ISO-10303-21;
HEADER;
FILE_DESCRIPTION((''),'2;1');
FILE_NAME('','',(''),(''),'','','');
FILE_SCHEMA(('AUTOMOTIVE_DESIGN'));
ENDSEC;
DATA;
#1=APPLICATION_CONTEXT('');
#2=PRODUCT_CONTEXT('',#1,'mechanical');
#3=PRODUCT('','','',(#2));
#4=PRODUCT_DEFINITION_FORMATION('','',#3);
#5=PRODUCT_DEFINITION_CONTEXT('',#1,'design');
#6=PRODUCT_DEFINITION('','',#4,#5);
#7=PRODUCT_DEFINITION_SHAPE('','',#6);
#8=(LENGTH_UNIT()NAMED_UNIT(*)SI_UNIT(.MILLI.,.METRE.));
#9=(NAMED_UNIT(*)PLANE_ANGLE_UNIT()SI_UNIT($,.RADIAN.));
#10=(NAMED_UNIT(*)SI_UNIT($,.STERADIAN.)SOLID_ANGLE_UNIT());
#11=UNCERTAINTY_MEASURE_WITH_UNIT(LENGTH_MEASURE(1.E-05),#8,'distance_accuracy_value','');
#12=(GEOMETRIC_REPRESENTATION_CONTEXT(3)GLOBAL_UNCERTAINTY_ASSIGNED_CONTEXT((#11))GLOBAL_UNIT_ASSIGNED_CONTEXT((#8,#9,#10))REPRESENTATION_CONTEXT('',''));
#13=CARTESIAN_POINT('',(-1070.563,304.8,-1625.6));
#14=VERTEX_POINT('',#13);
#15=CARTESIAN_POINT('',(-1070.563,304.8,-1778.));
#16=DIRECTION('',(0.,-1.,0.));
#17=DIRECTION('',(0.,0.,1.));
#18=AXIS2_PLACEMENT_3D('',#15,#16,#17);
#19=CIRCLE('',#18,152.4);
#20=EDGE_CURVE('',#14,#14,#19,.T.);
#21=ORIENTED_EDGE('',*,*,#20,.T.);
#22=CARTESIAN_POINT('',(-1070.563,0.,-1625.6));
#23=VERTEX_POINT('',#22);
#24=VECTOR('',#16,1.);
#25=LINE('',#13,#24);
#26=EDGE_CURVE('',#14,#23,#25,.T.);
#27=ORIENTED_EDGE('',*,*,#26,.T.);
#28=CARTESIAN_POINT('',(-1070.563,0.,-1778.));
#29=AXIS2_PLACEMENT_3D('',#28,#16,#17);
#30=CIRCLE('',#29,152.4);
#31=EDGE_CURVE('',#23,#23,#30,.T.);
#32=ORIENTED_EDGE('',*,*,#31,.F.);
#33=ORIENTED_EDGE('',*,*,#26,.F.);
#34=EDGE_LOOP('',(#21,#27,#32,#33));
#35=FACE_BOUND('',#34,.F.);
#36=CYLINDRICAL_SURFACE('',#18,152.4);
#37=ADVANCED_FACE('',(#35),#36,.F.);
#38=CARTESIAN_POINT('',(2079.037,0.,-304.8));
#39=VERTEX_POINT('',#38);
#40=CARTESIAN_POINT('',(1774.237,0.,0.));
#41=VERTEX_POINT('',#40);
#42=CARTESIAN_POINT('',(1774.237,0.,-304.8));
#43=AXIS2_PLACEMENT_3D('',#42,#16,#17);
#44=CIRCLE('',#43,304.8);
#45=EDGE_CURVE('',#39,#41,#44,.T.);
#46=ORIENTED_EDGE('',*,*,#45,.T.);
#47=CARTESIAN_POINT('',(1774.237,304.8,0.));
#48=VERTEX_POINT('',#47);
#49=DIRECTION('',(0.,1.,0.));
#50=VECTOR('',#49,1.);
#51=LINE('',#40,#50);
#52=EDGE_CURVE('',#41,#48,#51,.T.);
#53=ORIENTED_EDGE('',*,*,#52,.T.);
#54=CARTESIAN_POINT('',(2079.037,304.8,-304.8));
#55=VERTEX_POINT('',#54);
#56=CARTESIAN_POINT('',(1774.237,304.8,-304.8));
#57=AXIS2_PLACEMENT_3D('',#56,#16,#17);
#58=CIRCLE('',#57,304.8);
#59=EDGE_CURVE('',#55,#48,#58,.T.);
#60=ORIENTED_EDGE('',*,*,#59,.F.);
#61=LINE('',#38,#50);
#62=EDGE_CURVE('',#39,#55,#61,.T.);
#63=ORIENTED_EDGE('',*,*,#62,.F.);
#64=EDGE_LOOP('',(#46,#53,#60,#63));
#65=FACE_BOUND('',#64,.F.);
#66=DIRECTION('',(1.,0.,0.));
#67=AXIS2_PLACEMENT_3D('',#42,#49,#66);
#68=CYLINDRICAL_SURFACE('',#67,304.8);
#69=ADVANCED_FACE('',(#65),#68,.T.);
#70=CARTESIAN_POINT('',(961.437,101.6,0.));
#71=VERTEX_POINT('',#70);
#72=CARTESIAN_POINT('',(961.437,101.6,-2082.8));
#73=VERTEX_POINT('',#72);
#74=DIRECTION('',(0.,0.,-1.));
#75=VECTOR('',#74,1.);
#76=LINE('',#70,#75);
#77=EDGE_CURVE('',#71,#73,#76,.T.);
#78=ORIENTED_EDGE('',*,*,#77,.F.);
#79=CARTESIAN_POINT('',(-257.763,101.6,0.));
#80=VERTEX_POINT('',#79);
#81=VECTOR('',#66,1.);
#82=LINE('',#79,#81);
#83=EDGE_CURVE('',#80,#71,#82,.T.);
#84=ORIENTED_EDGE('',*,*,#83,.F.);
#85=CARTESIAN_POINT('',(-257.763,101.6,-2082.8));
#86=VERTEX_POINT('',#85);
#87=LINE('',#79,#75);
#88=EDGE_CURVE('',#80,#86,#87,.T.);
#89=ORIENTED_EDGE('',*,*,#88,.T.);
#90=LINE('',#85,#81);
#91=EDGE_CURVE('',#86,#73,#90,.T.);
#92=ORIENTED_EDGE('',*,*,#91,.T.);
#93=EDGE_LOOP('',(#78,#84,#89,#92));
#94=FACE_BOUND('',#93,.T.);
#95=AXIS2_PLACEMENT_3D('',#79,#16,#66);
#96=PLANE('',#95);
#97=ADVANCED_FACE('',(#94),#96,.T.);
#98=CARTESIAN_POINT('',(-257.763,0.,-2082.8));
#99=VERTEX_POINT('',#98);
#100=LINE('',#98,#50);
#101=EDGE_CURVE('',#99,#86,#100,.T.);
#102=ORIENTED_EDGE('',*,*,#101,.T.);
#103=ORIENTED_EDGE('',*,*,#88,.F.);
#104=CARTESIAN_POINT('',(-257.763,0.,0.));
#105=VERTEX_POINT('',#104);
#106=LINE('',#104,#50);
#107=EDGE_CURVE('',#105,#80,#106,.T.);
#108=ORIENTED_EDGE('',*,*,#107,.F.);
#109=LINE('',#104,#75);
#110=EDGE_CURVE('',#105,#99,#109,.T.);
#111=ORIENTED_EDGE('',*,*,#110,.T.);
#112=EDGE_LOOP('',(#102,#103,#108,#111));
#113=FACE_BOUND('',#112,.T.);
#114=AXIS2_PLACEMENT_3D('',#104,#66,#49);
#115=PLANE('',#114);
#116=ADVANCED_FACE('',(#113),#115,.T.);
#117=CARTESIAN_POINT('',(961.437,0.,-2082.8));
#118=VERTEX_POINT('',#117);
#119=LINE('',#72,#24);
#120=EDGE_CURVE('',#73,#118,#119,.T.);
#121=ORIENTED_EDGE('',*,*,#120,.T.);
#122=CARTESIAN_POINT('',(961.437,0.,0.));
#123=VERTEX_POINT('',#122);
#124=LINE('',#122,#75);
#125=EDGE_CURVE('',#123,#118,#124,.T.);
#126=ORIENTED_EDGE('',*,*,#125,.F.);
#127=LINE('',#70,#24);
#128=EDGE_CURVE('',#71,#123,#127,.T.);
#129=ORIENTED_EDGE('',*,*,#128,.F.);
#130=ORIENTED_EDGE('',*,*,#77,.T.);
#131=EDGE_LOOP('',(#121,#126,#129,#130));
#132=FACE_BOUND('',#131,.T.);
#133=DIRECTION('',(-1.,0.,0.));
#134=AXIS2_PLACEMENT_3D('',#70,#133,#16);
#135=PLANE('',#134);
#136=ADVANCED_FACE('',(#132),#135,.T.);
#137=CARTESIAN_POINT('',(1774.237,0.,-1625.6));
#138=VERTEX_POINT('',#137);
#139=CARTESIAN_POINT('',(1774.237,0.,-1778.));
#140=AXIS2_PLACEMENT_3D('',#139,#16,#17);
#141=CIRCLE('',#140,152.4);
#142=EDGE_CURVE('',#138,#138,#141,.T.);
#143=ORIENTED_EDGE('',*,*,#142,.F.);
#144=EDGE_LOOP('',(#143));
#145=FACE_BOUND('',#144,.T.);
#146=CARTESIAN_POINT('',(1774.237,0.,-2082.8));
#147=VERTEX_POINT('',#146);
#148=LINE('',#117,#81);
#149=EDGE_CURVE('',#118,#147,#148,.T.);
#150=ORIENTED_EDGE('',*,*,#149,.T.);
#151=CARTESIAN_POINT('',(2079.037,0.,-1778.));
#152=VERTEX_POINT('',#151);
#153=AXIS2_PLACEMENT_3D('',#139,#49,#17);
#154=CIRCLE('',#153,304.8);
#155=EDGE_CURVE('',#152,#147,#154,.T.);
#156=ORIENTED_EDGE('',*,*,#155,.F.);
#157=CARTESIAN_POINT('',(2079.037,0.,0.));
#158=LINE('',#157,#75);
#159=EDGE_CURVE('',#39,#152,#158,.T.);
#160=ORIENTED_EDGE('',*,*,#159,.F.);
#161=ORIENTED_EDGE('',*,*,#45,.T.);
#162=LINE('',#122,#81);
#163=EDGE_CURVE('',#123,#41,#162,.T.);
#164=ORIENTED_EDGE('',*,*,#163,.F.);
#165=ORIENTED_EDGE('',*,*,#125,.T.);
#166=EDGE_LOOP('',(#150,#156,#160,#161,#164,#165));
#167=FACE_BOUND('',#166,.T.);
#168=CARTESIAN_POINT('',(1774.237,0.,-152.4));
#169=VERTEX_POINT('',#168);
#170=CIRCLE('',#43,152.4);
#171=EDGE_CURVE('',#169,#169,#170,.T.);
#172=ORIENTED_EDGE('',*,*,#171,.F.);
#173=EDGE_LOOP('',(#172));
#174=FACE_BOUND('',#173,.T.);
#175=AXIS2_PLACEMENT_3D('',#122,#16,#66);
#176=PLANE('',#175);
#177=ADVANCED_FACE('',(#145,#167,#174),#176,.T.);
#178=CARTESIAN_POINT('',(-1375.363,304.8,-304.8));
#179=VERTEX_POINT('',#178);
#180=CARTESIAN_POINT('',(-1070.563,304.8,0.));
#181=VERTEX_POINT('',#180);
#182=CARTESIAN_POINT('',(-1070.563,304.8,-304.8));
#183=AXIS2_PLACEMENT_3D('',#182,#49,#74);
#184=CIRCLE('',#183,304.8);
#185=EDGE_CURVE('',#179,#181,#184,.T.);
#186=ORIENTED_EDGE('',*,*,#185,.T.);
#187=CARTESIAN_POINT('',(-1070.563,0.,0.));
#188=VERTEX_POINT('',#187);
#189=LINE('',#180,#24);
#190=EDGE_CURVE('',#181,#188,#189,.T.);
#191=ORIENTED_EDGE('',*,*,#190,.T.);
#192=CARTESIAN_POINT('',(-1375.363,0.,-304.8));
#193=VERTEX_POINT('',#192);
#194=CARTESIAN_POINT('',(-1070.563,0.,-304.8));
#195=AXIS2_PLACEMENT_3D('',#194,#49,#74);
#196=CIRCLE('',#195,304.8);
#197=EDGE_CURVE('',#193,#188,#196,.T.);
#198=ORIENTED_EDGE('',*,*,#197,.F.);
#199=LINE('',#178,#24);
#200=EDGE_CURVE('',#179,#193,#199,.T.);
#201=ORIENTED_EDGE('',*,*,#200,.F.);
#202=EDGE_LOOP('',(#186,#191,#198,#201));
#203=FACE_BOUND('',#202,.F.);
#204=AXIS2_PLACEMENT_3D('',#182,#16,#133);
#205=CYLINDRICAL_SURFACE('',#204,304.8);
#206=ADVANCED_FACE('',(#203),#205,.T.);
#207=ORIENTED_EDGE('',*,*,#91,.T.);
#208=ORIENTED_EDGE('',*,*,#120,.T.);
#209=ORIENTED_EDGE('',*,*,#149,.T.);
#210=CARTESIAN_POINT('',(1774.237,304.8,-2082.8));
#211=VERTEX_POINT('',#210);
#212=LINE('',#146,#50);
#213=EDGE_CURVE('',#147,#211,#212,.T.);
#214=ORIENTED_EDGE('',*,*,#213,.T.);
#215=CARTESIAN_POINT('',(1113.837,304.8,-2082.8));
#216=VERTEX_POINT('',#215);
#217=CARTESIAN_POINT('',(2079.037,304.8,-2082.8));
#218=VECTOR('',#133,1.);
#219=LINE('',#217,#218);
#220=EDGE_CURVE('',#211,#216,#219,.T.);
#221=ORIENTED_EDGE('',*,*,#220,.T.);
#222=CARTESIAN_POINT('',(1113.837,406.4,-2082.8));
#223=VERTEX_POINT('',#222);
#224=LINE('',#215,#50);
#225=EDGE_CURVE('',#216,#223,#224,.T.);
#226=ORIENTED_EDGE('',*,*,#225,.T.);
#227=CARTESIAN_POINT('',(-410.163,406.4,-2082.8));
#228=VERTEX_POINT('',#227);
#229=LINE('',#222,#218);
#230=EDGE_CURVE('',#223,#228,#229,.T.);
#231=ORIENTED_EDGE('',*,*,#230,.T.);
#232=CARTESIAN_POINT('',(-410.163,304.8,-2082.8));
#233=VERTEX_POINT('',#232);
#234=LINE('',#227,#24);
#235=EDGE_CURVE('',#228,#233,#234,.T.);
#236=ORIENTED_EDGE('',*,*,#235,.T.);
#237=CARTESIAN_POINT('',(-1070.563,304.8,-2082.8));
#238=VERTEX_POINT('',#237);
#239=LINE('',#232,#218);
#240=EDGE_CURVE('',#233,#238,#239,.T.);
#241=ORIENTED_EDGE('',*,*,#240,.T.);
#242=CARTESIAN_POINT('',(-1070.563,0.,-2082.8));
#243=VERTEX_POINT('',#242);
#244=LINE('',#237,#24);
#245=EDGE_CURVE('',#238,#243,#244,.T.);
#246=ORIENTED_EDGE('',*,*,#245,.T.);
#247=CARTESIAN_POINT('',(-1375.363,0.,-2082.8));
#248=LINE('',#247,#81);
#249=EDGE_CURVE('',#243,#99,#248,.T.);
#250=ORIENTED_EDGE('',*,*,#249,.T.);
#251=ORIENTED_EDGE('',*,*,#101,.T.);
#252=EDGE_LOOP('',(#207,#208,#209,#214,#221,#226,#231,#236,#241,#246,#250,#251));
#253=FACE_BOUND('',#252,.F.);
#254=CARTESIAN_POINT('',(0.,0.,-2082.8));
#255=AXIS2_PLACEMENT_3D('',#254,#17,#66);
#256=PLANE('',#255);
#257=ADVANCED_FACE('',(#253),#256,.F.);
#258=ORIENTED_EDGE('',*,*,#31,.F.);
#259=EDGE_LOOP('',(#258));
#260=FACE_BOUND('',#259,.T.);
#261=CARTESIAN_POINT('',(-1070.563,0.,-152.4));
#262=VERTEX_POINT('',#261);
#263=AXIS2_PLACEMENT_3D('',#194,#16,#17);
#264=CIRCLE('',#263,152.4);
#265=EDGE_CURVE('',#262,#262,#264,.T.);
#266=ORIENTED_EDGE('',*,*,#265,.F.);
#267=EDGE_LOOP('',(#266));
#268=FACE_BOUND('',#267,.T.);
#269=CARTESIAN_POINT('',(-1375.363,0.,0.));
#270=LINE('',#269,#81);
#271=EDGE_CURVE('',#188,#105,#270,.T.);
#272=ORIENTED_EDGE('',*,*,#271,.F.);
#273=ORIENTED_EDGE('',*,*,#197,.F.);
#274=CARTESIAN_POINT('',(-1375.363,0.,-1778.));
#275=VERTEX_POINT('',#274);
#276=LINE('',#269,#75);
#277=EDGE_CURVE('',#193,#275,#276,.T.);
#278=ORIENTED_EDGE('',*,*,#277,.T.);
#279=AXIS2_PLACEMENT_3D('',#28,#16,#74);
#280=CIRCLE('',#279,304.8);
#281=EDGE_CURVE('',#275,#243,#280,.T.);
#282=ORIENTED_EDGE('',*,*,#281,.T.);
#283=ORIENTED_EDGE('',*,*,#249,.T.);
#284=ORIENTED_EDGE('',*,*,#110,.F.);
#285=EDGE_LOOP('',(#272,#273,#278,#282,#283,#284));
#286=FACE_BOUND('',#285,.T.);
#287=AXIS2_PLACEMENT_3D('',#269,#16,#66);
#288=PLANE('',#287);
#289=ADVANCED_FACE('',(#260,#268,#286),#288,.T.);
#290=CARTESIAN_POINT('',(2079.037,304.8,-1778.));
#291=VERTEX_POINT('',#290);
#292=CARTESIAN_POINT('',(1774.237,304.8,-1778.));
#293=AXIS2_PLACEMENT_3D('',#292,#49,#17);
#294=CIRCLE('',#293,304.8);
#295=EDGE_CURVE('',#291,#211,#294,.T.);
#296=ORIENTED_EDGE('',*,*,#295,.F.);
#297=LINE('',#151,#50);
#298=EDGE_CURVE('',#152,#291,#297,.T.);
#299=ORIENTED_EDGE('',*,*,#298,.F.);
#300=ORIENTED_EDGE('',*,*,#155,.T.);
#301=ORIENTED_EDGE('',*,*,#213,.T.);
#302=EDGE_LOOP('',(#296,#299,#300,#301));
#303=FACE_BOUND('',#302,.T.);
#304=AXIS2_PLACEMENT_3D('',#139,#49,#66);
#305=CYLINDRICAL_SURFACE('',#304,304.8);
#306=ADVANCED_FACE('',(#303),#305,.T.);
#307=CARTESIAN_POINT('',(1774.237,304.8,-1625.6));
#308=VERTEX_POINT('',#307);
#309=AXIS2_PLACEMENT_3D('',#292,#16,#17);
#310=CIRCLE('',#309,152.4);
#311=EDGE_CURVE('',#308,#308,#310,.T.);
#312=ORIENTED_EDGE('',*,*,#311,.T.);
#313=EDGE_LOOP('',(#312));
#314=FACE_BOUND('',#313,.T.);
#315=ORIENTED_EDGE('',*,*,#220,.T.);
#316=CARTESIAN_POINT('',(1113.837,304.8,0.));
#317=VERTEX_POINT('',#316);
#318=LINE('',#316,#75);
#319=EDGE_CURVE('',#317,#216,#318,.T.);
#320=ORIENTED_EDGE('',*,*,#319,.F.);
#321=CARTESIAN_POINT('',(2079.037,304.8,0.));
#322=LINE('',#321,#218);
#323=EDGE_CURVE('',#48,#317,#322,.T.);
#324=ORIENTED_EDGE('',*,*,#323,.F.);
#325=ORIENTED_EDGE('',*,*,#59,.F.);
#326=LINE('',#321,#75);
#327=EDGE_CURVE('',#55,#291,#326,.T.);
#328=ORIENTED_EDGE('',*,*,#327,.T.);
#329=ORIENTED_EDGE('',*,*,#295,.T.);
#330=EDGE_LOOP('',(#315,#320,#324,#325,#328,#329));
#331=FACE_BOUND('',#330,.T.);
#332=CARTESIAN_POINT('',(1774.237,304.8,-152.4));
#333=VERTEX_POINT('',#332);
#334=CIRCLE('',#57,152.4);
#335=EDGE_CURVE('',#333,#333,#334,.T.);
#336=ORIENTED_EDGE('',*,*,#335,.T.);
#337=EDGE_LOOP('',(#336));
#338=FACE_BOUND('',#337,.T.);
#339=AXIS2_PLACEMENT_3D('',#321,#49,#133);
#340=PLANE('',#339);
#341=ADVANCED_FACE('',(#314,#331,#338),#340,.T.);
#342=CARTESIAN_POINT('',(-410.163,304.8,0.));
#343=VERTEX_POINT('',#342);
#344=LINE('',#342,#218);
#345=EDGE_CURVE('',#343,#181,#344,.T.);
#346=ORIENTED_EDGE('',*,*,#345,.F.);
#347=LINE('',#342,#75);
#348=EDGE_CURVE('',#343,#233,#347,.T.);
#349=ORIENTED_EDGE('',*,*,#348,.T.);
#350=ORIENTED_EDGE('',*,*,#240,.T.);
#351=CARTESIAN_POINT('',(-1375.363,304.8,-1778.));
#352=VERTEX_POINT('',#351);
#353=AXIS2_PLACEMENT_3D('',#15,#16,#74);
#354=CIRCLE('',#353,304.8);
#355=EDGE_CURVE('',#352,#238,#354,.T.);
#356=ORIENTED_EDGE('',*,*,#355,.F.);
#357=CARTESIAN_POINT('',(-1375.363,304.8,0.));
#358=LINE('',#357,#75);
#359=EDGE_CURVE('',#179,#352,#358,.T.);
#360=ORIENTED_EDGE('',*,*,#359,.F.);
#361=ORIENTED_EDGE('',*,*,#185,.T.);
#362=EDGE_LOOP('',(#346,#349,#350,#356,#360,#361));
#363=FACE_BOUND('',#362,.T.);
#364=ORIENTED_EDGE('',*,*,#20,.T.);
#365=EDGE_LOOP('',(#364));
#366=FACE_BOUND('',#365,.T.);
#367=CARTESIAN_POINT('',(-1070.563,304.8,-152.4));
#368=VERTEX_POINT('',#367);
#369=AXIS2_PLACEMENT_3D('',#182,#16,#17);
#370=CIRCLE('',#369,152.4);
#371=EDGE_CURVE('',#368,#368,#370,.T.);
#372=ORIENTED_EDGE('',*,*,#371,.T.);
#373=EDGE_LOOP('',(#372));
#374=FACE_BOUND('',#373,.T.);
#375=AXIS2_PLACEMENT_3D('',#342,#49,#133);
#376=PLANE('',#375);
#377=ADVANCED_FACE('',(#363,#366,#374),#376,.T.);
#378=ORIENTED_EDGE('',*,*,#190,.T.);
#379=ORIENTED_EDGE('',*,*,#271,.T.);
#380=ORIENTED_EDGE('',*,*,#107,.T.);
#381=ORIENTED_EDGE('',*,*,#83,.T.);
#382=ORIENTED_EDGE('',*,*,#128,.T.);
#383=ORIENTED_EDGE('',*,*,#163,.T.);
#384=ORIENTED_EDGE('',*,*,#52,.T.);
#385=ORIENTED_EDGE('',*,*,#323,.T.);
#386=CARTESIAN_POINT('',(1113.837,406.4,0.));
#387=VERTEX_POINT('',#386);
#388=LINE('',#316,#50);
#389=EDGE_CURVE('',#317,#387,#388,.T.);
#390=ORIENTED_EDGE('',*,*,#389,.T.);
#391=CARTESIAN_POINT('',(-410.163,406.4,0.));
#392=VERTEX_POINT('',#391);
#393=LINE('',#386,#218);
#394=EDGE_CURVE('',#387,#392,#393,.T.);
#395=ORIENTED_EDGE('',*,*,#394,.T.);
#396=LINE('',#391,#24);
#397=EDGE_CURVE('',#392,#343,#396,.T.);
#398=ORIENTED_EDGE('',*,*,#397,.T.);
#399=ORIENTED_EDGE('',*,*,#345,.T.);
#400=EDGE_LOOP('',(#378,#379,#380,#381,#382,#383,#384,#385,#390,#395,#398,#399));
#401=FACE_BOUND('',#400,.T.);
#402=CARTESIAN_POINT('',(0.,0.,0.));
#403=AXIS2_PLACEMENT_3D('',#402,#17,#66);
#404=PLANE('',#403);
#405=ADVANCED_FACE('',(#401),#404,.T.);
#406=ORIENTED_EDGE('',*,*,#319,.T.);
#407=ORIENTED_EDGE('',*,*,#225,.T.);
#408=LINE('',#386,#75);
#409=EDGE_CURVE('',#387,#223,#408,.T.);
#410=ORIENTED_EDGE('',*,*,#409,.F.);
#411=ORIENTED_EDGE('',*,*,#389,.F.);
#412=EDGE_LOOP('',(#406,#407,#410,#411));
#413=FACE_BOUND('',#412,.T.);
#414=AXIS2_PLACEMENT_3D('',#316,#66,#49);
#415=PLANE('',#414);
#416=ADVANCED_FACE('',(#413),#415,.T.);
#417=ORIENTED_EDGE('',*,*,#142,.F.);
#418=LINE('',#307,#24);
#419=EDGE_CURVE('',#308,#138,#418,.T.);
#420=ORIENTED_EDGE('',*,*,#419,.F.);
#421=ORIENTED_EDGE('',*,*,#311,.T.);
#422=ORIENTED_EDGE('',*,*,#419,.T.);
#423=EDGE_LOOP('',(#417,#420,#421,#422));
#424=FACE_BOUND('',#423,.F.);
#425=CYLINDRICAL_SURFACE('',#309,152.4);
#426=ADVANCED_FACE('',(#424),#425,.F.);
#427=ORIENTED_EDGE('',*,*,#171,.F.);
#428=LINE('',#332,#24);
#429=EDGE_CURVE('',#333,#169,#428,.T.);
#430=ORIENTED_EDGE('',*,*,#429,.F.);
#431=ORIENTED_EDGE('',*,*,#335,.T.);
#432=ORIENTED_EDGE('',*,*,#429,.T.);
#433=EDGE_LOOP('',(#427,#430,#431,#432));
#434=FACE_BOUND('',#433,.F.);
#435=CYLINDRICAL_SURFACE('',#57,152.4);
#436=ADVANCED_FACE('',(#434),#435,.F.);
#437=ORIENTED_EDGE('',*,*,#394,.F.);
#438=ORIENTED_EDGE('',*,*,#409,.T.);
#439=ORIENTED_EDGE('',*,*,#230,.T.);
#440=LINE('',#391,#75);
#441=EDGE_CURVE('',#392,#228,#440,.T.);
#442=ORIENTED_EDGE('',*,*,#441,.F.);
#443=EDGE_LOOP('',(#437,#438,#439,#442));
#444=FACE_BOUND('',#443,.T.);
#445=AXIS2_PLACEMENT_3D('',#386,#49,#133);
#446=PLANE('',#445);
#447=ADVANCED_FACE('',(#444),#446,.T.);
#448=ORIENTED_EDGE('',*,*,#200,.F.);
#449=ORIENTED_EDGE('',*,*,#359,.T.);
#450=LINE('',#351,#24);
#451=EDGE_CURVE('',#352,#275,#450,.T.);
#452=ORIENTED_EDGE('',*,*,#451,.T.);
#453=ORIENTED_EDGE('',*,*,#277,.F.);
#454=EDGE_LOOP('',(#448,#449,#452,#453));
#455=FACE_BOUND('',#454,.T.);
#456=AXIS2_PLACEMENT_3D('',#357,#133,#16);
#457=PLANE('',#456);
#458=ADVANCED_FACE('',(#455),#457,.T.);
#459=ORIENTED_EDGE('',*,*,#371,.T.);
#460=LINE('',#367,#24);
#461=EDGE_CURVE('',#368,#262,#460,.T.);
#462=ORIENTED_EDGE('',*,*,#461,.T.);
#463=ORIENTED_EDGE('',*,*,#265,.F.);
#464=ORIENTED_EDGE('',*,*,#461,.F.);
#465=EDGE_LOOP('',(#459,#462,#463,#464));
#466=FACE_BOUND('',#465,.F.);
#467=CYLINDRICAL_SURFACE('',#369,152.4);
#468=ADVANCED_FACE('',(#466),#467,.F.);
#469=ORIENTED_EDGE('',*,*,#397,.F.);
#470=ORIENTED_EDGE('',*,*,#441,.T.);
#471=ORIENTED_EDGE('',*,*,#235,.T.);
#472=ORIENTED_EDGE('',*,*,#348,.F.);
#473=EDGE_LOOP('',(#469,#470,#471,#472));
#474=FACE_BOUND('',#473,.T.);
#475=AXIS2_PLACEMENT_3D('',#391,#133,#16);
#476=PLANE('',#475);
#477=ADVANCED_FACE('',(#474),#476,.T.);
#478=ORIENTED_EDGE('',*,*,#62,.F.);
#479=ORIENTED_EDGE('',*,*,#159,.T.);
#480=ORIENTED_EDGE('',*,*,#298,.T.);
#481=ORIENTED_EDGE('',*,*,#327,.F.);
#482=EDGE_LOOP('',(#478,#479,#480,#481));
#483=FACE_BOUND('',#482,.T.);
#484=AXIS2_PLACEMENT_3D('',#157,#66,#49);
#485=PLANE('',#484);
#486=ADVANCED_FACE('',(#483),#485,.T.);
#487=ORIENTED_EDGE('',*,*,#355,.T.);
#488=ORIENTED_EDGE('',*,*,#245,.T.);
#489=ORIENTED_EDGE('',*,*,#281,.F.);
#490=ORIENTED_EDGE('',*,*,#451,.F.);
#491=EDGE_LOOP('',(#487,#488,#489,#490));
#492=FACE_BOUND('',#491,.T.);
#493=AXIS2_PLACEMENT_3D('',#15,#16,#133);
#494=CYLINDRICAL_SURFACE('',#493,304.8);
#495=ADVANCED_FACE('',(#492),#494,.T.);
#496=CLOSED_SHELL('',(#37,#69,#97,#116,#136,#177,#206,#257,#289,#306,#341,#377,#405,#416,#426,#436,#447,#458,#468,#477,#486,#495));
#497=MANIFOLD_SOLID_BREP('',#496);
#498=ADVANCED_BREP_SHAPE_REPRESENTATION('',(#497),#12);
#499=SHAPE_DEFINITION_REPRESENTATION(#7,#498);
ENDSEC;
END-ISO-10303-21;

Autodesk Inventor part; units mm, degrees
ref_plane "YZ Plane" through (0, 0, 0) normal (1, 0, 0) x (0, 1, 0)
ref_plane "XZ Plane" through (0, 0, 0) normal (0, 1, 0) x (-1, 0, 0)
ref_plane "XY Plane" through (0, 0, 0) normal (0, 0, 1) x (1, 0, 0)
sketch "Sketch1" plane through (0, 0, 0) normal (0, 0, 1) x (1, 0, 0)
  line L0 (-1375.363, 0) -> (-257.763, 0)
  line L1 (-257.763, 0) -> (-257.763, 101.6)
  line L2 (-257.763, 101.6) -> (961.437, 101.6)
  line L3 (961.437, 101.6) -> (961.437, 0)
  line L4 (961.437, 0) -> (2079.037, 0)
  line L5 (2079.037, 0) -> (2079.037, 304.8)
  line L6 (2079.037, 304.8) -> (1113.837, 304.8)
  line L7 (1113.837, 304.8) -> (1113.837, 406.4)
  line L8 (1113.837, 406.4) -> (-410.163, 406.4)
  line L9 (-410.163, 406.4) -> (-410.163, 304.8)
  line L10 (-410.163, 304.8) -> (-1375.363, 304.8)
  line L11 (-1375.363, 304.8) -> (-1375.363, 0)
  point P0 (0, 0)
  dimension "d0" = 1117.6
  dimension "d1" = 101.6
  dimension "d2" = 1219.2
  dimension "d3" = 1117.6
  dimension "d4" = 304.8
  dimension "d5" = 965.2
  dimension "d6" = 1524
  dimension "d7" = 101.6
extrude "Extrusion1" add sketch "Sketch1" against normal blind 2082.8
fillet "Fillet1" radius 304.8 4 edges at (-1375.363, 152.4, 0) (2079.037, 152.4, 0) (2079.037, 152.4, -2082.8) (-1375.363, 152.4, -2082.8)
sketch "Sketch2" plane through (-410.163, 304.8, 0) normal (0, 1, 0) x (1, 0, 0)
  arc A0 (-660.4, 2082.8) -> (-965.2, 1778) centre (-660.4, 1778) ccw projected
  circle A1 centre (-660.4, 1778) radius 152.4
  arc A2 (-965.2, 304.8) -> (-660.4, 0) centre (-660.4, 304.8) ccw projected
  circle A3 centre (-660.4, 304.8) radius 152.4
  arc A4 (2489.2, 1778) -> (2184.4, 2082.8) centre (2184.4, 1778) ccw projected
  circle A5 centre (2184.4, 1778) radius 152.4
  arc A6 (2184.4, 0) -> (2489.2, 304.8) centre (2184.4, 304.8) ccw projected
  circle A7 centre (2184.4, 304.8) radius 152.4
  point P0 (410.163, 0)
  dimension "d11" = 304.8
  dimension "d12" = 304.8
  dimension "d13" = 304.8
  dimension "d14" = 304.8
hole "Hole1" at (-1070.563, 304.8, -1778) direction (0, -1, 0) diameter 304.8 end through all
sketch "Sketch3" plane through (-410.163, 304.8, 0) normal (0, 1, 0) x (1, 0, 0)
  arc A0 (-965.2, 304.8) -> (-660.4, 0) centre (-660.4, 304.8) ccw projected
  circle A1 centre (-660.4, 304.8) radius 152.4
  point P0 (410.163, 0)
  dimension "d22" = 304.8
hole "Hole2" at (-1070.563, 304.8, -304.8) direction (0, -1, 0) diameter 304.8 end through all
sketch "Sketch4" plane through (1113.837, 304.8, 0) normal (0, 1, 0) x (1, 0, 0)
  arc A0 (965.2, 1778) -> (660.4, 2082.8) centre (660.4, 1778) ccw projected
  circle A1 centre (660.4, 1778) radius 152.4
  point P0 (-1113.837, 0)
  dimension "d30" = 304.8
hole "Hole3" at (1774.237, 304.8, -1778) direction (0, -1, 0) diameter 304.8 end through all
sketch "Sketch5" plane through (1113.837, 304.8, 0) normal (0, 1, 0) x (1, 0, 0)
  arc A0 (660.4, 0) -> (965.2, 304.8) centre (660.4, 304.8) ccw projected
  circle A1 centre (660.4, 304.8) radius 152.4
  point P0 (-1113.837, 0)
  dimension "d38" = 304.8
hole "Hole4" at (1774.237, 304.8, -304.8) direction (0, -1, 0) diameter 304.8 end through all
thread "Thread1" size "M310x6" class "6H" standard "ANSI Metric M Profile" full length
